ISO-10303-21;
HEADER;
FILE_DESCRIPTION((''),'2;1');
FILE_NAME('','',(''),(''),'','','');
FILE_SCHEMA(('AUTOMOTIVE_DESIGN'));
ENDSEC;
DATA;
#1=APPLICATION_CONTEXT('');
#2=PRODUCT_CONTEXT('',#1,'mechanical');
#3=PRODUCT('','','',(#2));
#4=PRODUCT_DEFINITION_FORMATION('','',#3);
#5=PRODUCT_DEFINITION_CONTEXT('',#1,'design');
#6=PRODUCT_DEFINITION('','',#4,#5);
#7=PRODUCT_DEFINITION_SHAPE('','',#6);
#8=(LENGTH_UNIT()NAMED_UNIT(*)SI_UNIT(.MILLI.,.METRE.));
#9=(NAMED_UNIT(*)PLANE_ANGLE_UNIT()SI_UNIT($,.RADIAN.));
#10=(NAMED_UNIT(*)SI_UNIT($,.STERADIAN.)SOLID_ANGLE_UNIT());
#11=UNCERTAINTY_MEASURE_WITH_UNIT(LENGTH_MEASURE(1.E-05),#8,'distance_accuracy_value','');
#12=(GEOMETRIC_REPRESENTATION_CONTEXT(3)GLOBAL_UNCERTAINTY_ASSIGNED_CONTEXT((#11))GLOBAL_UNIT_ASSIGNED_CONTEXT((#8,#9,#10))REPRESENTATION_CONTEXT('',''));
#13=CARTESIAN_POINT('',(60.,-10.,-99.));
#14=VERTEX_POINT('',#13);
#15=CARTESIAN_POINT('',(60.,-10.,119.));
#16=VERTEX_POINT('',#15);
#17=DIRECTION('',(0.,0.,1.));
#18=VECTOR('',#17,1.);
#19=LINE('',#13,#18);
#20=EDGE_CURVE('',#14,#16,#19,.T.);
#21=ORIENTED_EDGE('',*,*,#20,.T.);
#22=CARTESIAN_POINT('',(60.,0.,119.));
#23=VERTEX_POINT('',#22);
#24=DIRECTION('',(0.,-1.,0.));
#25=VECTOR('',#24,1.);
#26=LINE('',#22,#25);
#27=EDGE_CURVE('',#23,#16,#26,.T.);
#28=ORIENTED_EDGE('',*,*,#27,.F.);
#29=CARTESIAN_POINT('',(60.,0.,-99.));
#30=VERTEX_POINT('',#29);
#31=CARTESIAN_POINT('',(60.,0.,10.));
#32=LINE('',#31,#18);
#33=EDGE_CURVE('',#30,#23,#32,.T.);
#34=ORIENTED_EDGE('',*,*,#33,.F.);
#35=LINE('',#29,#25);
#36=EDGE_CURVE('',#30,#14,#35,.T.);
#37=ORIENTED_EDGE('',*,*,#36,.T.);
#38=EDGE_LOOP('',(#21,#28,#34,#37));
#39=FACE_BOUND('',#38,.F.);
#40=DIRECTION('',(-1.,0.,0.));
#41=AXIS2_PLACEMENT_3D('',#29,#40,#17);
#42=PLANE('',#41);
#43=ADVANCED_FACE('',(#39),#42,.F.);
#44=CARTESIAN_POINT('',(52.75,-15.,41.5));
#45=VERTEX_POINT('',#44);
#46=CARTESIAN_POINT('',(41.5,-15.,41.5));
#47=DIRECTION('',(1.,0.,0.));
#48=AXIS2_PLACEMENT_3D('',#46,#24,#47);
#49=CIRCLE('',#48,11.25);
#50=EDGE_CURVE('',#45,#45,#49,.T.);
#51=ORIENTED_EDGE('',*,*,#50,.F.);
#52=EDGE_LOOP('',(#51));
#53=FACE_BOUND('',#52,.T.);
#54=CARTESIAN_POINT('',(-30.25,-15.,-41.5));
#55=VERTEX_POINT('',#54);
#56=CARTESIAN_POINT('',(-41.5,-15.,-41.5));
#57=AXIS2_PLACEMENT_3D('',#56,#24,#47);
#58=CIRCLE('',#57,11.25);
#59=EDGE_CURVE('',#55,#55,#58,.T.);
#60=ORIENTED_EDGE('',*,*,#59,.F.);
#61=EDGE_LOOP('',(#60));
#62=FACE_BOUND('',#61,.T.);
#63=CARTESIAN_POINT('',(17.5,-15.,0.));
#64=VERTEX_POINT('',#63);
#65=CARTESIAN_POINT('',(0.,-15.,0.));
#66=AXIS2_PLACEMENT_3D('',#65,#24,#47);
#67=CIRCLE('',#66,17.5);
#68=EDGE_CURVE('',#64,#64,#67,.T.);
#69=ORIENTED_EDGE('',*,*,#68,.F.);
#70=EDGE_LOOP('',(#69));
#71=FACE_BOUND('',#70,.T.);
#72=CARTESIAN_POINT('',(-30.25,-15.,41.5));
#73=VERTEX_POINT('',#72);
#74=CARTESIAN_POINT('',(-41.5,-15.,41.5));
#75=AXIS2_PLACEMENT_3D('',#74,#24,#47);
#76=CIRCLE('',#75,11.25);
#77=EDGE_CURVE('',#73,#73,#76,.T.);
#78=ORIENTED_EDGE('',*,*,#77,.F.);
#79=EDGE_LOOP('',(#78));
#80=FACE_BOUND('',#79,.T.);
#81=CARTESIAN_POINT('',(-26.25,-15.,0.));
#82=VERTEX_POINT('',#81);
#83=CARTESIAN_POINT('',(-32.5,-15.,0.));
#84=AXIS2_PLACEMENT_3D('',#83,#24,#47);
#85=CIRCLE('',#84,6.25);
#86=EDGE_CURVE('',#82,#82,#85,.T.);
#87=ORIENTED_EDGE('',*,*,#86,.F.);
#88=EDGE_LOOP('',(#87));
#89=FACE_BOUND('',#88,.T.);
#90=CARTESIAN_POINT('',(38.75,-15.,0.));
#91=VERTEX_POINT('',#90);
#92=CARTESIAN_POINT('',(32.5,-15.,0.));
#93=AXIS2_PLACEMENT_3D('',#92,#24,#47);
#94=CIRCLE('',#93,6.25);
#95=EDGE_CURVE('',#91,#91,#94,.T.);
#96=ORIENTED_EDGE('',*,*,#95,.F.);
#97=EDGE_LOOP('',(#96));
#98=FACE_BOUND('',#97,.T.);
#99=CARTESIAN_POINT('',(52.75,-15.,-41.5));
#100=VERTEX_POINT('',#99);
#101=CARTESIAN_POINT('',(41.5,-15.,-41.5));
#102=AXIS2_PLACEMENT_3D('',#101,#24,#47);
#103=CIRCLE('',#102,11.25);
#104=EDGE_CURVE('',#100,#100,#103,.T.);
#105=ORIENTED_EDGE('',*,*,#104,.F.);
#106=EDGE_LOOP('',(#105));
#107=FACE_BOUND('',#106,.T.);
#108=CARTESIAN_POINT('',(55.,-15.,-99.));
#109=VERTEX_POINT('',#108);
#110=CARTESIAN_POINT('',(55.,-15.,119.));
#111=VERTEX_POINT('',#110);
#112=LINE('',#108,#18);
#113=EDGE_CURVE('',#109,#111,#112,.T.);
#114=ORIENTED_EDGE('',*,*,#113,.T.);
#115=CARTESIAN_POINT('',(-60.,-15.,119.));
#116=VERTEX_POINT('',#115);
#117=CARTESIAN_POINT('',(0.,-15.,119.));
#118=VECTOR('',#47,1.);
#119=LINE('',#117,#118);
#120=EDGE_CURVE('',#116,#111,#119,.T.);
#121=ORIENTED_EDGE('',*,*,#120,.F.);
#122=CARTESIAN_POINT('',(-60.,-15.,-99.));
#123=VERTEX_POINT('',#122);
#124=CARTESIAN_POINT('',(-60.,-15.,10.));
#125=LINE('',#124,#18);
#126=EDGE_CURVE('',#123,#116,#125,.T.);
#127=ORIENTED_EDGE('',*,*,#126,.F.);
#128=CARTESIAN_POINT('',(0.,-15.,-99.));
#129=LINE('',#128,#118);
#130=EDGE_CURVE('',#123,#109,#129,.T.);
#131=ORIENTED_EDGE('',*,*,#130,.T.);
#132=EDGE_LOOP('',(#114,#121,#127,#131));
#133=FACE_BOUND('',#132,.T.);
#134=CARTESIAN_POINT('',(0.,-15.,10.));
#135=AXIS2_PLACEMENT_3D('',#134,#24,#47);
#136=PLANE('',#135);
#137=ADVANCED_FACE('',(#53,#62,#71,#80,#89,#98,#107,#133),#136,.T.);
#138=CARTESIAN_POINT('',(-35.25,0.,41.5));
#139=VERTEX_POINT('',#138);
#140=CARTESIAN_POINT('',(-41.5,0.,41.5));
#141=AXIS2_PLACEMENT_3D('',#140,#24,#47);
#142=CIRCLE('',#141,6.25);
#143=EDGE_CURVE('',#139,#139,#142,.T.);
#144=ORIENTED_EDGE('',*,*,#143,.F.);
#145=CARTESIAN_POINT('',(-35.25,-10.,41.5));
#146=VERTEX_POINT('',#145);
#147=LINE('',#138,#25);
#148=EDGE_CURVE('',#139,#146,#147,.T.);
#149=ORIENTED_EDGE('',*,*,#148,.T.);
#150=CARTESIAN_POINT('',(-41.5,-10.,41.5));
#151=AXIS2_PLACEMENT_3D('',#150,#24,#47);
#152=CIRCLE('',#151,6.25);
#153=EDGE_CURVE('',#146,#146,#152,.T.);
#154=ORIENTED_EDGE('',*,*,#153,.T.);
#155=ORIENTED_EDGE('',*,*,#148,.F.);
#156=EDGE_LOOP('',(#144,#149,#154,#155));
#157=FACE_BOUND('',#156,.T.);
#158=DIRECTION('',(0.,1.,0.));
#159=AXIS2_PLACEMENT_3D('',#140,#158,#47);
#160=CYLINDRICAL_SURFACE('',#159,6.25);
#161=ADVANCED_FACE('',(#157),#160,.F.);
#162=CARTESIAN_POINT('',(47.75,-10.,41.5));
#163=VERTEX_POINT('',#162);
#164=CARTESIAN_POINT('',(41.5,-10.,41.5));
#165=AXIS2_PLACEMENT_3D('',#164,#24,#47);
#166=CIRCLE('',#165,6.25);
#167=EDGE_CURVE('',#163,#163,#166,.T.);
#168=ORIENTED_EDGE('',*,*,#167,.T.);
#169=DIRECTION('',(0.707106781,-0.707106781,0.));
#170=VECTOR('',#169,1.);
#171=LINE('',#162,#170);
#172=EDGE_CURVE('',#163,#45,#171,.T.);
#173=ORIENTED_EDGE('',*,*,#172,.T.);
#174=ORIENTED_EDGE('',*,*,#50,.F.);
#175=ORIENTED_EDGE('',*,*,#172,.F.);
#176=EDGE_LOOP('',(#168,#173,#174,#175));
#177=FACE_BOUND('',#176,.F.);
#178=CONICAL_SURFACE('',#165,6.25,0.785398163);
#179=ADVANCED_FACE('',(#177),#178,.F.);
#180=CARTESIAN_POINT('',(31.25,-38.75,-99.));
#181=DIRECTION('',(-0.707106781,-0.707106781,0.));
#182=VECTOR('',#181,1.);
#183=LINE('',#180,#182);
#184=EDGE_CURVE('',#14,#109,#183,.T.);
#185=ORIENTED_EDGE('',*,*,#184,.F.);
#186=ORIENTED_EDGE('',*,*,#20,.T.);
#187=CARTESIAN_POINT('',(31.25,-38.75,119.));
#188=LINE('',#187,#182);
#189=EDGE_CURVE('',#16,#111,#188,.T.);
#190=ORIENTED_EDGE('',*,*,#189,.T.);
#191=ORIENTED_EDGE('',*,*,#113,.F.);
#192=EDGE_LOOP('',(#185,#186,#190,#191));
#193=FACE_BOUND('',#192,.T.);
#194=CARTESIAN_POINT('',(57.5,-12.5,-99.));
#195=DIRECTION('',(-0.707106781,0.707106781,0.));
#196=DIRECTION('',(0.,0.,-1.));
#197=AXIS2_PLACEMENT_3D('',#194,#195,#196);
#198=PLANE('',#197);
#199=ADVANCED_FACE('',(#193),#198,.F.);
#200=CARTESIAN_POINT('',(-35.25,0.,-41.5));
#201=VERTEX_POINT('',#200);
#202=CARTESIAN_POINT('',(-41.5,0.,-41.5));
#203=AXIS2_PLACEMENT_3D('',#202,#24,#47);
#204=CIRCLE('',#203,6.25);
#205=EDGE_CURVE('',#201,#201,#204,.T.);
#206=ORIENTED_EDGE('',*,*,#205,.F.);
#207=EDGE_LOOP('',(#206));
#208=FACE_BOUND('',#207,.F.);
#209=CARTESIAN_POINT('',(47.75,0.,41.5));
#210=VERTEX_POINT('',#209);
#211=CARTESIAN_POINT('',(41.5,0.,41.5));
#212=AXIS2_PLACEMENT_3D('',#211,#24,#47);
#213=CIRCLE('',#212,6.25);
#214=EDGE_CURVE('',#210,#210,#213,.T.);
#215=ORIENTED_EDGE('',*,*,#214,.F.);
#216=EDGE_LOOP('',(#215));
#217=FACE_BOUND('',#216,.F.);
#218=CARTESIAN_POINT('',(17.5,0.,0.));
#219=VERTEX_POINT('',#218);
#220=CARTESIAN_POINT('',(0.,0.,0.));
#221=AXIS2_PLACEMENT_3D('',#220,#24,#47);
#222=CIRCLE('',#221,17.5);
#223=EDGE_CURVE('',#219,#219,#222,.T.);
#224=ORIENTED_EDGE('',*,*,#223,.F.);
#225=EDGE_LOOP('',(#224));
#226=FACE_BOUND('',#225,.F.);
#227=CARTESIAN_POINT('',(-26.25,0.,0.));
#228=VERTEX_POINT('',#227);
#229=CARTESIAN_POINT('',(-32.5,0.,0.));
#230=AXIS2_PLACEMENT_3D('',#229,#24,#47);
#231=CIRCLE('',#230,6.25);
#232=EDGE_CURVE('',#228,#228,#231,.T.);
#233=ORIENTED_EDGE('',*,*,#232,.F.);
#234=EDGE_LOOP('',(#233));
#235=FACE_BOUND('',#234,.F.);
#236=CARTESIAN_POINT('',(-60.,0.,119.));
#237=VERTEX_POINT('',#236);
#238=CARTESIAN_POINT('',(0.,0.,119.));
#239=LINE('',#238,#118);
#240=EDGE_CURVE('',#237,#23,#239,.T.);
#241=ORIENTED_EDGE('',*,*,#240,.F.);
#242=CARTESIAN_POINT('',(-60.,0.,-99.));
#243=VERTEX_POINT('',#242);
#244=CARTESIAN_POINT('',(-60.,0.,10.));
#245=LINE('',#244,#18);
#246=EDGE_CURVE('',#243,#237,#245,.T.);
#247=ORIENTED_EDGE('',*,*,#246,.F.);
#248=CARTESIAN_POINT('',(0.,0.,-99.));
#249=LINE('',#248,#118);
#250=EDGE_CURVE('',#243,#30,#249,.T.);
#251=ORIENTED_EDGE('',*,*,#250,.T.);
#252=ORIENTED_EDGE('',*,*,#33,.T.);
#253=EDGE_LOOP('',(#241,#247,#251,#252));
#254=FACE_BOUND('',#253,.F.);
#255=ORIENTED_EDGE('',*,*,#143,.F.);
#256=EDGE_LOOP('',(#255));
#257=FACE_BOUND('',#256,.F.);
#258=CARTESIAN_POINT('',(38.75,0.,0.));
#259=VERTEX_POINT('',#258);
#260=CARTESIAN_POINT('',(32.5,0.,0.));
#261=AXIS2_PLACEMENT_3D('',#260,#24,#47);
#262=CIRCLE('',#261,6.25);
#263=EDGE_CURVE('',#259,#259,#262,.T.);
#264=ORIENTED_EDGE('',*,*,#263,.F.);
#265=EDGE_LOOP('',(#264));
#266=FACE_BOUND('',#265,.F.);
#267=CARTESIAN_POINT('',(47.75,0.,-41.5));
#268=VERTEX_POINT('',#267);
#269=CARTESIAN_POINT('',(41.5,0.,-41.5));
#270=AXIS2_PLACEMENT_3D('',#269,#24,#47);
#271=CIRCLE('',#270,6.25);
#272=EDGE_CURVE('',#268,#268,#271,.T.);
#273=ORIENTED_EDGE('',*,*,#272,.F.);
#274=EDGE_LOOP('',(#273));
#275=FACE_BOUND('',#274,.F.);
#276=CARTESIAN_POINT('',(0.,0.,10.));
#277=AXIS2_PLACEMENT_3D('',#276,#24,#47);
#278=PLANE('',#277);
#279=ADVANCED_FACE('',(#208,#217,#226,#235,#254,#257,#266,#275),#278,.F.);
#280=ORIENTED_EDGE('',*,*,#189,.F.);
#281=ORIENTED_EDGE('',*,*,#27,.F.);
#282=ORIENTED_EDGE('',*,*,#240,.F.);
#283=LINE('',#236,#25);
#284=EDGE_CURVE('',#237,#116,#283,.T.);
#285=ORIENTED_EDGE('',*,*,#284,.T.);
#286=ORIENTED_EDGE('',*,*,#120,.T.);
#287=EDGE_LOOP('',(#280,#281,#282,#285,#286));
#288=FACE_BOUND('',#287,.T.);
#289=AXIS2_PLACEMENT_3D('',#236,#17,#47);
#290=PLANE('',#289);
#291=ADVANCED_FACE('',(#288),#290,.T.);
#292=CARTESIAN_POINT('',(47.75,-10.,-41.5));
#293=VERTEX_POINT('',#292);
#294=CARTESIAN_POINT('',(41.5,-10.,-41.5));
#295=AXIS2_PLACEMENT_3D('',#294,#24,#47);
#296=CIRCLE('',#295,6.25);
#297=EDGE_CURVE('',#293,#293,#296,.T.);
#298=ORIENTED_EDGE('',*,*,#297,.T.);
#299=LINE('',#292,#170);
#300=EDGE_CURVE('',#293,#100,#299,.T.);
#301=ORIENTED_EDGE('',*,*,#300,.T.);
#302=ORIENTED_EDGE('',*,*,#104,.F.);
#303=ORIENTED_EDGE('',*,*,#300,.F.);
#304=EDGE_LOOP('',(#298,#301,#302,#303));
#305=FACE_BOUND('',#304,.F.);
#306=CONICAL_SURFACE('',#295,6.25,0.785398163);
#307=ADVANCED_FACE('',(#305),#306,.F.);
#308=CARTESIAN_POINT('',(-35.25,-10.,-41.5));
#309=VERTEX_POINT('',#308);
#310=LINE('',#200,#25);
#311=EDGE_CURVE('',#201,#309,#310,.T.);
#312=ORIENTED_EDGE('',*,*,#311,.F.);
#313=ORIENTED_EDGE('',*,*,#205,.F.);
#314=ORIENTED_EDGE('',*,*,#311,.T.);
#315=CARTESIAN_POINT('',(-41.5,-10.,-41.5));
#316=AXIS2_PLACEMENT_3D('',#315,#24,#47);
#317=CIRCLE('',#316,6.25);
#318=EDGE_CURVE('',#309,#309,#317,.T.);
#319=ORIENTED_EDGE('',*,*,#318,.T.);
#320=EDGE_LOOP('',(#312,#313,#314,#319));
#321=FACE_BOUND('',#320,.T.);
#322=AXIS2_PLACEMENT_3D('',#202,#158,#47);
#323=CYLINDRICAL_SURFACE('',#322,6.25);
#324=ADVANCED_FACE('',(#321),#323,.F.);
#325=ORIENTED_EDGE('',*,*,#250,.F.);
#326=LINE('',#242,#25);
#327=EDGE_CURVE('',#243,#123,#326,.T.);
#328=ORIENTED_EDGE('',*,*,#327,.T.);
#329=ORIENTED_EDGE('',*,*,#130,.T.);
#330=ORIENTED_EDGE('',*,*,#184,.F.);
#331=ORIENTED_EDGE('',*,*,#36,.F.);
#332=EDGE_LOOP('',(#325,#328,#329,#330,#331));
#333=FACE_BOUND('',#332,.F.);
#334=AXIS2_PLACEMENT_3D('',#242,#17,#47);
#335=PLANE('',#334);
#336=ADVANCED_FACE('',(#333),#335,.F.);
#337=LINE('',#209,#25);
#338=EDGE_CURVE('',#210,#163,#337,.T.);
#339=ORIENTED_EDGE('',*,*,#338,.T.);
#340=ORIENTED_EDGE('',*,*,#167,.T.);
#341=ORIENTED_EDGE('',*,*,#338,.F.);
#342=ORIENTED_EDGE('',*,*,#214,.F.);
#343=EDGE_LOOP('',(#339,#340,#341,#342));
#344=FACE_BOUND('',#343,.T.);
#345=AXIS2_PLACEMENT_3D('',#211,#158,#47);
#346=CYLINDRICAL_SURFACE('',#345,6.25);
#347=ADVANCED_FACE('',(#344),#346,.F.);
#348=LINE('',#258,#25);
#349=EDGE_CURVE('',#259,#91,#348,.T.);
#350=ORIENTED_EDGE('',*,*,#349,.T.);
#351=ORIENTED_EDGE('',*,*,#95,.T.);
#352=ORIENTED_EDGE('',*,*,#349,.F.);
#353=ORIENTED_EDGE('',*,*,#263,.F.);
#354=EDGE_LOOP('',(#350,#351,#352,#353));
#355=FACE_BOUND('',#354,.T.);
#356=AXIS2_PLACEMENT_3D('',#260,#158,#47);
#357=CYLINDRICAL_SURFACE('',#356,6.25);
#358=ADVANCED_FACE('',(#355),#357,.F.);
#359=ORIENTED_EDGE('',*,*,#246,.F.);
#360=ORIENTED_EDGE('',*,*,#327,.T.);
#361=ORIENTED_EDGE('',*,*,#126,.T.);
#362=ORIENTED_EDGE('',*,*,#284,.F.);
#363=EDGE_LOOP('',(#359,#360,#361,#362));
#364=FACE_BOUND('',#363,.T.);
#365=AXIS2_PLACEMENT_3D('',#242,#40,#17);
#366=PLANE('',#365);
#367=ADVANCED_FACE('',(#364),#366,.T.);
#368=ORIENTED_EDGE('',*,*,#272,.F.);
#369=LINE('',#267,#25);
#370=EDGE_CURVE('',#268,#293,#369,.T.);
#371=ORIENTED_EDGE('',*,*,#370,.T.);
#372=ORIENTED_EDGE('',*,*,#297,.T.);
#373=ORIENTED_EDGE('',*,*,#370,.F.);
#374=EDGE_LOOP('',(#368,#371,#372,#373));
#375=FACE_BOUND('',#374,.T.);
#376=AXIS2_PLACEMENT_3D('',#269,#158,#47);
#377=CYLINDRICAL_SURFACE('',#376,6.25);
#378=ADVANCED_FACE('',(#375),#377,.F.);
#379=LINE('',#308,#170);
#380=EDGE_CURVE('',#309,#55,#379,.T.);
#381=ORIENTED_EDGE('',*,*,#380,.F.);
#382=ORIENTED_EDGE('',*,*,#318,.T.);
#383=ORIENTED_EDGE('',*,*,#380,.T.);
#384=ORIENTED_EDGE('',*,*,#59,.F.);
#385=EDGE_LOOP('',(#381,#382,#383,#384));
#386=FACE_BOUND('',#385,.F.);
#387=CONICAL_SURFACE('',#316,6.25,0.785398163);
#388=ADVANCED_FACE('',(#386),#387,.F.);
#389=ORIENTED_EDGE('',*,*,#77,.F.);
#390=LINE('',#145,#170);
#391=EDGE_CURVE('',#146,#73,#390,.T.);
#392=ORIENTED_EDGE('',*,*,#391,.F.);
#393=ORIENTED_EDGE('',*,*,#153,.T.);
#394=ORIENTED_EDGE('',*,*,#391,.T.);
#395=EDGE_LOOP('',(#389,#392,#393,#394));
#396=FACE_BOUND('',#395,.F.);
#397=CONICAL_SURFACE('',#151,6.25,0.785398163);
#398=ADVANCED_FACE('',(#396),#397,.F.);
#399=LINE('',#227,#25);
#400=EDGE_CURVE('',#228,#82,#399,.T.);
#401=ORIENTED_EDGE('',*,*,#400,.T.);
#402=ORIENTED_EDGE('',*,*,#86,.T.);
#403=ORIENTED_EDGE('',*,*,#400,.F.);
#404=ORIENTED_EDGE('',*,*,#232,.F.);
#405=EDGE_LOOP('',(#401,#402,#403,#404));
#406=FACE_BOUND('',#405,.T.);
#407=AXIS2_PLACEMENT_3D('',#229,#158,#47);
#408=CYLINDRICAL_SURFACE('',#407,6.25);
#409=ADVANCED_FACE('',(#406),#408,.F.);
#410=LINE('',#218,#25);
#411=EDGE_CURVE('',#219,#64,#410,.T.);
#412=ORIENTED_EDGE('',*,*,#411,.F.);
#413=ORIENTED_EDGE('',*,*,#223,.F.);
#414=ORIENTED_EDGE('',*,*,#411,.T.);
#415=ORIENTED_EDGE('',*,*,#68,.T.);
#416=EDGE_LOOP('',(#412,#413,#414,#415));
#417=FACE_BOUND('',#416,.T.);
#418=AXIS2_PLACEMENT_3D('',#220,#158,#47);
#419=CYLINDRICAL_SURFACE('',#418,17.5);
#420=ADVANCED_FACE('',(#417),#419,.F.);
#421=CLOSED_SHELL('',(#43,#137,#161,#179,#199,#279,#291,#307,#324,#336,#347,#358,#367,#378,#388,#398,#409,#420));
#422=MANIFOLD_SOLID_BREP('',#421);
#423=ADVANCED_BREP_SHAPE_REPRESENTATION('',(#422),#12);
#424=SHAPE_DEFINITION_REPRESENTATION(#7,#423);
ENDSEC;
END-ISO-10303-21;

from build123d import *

# Parameters (mm, degrees)
F0_W     = 120
F0_H     = 218
F0_R     = 6.25
F0_R_2   = 17.5
F1_DEPTH = 15
F2_SIZE2 = 5
F2_SIZE  = 5


with BuildPart() as f1:
    # F0 (on Front) → F1 (new body)
    with BuildSketch(Plane.XZ):
        with Locations((0, 10)):
            Rectangle(F0_W, F0_H)
        with Locations((-41.5, -41.5)):
            Circle(F0_R, mode=Mode.SUBTRACT)
        with Locations((-32.5, 0)):
            Circle(F0_R, mode=Mode.SUBTRACT)
        Circle(F0_R_2, mode=Mode.SUBTRACT)
        with Locations((41.5, -41.5)):
            Circle(F0_R, mode=Mode.SUBTRACT)
        with Locations((32.5, 0)):
            Circle(F0_R, mode=Mode.SUBTRACT)
        with Locations((-41.5, 41.5)):
            Circle(F0_R, mode=Mode.SUBTRACT)
        with Locations((41.5, 41.5)):
            Circle(F0_R, mode=Mode.SUBTRACT)
    extrude(amount=F1_DEPTH)

    # F2
    f2_edges = [f1.edges().sort_by_distance(p)[0] for p in [
        (-47.75, -15, 41.5),
        (35.25, -15, 41.5),
        (-47.75, -15, -41.5),
        (35.25, -15, -41.5),
        (60, -15, 10),
    ]]
    chamfer(f2_edges, length=F2_SIZE, length2=F2_SIZE2)


solid = f1.part
